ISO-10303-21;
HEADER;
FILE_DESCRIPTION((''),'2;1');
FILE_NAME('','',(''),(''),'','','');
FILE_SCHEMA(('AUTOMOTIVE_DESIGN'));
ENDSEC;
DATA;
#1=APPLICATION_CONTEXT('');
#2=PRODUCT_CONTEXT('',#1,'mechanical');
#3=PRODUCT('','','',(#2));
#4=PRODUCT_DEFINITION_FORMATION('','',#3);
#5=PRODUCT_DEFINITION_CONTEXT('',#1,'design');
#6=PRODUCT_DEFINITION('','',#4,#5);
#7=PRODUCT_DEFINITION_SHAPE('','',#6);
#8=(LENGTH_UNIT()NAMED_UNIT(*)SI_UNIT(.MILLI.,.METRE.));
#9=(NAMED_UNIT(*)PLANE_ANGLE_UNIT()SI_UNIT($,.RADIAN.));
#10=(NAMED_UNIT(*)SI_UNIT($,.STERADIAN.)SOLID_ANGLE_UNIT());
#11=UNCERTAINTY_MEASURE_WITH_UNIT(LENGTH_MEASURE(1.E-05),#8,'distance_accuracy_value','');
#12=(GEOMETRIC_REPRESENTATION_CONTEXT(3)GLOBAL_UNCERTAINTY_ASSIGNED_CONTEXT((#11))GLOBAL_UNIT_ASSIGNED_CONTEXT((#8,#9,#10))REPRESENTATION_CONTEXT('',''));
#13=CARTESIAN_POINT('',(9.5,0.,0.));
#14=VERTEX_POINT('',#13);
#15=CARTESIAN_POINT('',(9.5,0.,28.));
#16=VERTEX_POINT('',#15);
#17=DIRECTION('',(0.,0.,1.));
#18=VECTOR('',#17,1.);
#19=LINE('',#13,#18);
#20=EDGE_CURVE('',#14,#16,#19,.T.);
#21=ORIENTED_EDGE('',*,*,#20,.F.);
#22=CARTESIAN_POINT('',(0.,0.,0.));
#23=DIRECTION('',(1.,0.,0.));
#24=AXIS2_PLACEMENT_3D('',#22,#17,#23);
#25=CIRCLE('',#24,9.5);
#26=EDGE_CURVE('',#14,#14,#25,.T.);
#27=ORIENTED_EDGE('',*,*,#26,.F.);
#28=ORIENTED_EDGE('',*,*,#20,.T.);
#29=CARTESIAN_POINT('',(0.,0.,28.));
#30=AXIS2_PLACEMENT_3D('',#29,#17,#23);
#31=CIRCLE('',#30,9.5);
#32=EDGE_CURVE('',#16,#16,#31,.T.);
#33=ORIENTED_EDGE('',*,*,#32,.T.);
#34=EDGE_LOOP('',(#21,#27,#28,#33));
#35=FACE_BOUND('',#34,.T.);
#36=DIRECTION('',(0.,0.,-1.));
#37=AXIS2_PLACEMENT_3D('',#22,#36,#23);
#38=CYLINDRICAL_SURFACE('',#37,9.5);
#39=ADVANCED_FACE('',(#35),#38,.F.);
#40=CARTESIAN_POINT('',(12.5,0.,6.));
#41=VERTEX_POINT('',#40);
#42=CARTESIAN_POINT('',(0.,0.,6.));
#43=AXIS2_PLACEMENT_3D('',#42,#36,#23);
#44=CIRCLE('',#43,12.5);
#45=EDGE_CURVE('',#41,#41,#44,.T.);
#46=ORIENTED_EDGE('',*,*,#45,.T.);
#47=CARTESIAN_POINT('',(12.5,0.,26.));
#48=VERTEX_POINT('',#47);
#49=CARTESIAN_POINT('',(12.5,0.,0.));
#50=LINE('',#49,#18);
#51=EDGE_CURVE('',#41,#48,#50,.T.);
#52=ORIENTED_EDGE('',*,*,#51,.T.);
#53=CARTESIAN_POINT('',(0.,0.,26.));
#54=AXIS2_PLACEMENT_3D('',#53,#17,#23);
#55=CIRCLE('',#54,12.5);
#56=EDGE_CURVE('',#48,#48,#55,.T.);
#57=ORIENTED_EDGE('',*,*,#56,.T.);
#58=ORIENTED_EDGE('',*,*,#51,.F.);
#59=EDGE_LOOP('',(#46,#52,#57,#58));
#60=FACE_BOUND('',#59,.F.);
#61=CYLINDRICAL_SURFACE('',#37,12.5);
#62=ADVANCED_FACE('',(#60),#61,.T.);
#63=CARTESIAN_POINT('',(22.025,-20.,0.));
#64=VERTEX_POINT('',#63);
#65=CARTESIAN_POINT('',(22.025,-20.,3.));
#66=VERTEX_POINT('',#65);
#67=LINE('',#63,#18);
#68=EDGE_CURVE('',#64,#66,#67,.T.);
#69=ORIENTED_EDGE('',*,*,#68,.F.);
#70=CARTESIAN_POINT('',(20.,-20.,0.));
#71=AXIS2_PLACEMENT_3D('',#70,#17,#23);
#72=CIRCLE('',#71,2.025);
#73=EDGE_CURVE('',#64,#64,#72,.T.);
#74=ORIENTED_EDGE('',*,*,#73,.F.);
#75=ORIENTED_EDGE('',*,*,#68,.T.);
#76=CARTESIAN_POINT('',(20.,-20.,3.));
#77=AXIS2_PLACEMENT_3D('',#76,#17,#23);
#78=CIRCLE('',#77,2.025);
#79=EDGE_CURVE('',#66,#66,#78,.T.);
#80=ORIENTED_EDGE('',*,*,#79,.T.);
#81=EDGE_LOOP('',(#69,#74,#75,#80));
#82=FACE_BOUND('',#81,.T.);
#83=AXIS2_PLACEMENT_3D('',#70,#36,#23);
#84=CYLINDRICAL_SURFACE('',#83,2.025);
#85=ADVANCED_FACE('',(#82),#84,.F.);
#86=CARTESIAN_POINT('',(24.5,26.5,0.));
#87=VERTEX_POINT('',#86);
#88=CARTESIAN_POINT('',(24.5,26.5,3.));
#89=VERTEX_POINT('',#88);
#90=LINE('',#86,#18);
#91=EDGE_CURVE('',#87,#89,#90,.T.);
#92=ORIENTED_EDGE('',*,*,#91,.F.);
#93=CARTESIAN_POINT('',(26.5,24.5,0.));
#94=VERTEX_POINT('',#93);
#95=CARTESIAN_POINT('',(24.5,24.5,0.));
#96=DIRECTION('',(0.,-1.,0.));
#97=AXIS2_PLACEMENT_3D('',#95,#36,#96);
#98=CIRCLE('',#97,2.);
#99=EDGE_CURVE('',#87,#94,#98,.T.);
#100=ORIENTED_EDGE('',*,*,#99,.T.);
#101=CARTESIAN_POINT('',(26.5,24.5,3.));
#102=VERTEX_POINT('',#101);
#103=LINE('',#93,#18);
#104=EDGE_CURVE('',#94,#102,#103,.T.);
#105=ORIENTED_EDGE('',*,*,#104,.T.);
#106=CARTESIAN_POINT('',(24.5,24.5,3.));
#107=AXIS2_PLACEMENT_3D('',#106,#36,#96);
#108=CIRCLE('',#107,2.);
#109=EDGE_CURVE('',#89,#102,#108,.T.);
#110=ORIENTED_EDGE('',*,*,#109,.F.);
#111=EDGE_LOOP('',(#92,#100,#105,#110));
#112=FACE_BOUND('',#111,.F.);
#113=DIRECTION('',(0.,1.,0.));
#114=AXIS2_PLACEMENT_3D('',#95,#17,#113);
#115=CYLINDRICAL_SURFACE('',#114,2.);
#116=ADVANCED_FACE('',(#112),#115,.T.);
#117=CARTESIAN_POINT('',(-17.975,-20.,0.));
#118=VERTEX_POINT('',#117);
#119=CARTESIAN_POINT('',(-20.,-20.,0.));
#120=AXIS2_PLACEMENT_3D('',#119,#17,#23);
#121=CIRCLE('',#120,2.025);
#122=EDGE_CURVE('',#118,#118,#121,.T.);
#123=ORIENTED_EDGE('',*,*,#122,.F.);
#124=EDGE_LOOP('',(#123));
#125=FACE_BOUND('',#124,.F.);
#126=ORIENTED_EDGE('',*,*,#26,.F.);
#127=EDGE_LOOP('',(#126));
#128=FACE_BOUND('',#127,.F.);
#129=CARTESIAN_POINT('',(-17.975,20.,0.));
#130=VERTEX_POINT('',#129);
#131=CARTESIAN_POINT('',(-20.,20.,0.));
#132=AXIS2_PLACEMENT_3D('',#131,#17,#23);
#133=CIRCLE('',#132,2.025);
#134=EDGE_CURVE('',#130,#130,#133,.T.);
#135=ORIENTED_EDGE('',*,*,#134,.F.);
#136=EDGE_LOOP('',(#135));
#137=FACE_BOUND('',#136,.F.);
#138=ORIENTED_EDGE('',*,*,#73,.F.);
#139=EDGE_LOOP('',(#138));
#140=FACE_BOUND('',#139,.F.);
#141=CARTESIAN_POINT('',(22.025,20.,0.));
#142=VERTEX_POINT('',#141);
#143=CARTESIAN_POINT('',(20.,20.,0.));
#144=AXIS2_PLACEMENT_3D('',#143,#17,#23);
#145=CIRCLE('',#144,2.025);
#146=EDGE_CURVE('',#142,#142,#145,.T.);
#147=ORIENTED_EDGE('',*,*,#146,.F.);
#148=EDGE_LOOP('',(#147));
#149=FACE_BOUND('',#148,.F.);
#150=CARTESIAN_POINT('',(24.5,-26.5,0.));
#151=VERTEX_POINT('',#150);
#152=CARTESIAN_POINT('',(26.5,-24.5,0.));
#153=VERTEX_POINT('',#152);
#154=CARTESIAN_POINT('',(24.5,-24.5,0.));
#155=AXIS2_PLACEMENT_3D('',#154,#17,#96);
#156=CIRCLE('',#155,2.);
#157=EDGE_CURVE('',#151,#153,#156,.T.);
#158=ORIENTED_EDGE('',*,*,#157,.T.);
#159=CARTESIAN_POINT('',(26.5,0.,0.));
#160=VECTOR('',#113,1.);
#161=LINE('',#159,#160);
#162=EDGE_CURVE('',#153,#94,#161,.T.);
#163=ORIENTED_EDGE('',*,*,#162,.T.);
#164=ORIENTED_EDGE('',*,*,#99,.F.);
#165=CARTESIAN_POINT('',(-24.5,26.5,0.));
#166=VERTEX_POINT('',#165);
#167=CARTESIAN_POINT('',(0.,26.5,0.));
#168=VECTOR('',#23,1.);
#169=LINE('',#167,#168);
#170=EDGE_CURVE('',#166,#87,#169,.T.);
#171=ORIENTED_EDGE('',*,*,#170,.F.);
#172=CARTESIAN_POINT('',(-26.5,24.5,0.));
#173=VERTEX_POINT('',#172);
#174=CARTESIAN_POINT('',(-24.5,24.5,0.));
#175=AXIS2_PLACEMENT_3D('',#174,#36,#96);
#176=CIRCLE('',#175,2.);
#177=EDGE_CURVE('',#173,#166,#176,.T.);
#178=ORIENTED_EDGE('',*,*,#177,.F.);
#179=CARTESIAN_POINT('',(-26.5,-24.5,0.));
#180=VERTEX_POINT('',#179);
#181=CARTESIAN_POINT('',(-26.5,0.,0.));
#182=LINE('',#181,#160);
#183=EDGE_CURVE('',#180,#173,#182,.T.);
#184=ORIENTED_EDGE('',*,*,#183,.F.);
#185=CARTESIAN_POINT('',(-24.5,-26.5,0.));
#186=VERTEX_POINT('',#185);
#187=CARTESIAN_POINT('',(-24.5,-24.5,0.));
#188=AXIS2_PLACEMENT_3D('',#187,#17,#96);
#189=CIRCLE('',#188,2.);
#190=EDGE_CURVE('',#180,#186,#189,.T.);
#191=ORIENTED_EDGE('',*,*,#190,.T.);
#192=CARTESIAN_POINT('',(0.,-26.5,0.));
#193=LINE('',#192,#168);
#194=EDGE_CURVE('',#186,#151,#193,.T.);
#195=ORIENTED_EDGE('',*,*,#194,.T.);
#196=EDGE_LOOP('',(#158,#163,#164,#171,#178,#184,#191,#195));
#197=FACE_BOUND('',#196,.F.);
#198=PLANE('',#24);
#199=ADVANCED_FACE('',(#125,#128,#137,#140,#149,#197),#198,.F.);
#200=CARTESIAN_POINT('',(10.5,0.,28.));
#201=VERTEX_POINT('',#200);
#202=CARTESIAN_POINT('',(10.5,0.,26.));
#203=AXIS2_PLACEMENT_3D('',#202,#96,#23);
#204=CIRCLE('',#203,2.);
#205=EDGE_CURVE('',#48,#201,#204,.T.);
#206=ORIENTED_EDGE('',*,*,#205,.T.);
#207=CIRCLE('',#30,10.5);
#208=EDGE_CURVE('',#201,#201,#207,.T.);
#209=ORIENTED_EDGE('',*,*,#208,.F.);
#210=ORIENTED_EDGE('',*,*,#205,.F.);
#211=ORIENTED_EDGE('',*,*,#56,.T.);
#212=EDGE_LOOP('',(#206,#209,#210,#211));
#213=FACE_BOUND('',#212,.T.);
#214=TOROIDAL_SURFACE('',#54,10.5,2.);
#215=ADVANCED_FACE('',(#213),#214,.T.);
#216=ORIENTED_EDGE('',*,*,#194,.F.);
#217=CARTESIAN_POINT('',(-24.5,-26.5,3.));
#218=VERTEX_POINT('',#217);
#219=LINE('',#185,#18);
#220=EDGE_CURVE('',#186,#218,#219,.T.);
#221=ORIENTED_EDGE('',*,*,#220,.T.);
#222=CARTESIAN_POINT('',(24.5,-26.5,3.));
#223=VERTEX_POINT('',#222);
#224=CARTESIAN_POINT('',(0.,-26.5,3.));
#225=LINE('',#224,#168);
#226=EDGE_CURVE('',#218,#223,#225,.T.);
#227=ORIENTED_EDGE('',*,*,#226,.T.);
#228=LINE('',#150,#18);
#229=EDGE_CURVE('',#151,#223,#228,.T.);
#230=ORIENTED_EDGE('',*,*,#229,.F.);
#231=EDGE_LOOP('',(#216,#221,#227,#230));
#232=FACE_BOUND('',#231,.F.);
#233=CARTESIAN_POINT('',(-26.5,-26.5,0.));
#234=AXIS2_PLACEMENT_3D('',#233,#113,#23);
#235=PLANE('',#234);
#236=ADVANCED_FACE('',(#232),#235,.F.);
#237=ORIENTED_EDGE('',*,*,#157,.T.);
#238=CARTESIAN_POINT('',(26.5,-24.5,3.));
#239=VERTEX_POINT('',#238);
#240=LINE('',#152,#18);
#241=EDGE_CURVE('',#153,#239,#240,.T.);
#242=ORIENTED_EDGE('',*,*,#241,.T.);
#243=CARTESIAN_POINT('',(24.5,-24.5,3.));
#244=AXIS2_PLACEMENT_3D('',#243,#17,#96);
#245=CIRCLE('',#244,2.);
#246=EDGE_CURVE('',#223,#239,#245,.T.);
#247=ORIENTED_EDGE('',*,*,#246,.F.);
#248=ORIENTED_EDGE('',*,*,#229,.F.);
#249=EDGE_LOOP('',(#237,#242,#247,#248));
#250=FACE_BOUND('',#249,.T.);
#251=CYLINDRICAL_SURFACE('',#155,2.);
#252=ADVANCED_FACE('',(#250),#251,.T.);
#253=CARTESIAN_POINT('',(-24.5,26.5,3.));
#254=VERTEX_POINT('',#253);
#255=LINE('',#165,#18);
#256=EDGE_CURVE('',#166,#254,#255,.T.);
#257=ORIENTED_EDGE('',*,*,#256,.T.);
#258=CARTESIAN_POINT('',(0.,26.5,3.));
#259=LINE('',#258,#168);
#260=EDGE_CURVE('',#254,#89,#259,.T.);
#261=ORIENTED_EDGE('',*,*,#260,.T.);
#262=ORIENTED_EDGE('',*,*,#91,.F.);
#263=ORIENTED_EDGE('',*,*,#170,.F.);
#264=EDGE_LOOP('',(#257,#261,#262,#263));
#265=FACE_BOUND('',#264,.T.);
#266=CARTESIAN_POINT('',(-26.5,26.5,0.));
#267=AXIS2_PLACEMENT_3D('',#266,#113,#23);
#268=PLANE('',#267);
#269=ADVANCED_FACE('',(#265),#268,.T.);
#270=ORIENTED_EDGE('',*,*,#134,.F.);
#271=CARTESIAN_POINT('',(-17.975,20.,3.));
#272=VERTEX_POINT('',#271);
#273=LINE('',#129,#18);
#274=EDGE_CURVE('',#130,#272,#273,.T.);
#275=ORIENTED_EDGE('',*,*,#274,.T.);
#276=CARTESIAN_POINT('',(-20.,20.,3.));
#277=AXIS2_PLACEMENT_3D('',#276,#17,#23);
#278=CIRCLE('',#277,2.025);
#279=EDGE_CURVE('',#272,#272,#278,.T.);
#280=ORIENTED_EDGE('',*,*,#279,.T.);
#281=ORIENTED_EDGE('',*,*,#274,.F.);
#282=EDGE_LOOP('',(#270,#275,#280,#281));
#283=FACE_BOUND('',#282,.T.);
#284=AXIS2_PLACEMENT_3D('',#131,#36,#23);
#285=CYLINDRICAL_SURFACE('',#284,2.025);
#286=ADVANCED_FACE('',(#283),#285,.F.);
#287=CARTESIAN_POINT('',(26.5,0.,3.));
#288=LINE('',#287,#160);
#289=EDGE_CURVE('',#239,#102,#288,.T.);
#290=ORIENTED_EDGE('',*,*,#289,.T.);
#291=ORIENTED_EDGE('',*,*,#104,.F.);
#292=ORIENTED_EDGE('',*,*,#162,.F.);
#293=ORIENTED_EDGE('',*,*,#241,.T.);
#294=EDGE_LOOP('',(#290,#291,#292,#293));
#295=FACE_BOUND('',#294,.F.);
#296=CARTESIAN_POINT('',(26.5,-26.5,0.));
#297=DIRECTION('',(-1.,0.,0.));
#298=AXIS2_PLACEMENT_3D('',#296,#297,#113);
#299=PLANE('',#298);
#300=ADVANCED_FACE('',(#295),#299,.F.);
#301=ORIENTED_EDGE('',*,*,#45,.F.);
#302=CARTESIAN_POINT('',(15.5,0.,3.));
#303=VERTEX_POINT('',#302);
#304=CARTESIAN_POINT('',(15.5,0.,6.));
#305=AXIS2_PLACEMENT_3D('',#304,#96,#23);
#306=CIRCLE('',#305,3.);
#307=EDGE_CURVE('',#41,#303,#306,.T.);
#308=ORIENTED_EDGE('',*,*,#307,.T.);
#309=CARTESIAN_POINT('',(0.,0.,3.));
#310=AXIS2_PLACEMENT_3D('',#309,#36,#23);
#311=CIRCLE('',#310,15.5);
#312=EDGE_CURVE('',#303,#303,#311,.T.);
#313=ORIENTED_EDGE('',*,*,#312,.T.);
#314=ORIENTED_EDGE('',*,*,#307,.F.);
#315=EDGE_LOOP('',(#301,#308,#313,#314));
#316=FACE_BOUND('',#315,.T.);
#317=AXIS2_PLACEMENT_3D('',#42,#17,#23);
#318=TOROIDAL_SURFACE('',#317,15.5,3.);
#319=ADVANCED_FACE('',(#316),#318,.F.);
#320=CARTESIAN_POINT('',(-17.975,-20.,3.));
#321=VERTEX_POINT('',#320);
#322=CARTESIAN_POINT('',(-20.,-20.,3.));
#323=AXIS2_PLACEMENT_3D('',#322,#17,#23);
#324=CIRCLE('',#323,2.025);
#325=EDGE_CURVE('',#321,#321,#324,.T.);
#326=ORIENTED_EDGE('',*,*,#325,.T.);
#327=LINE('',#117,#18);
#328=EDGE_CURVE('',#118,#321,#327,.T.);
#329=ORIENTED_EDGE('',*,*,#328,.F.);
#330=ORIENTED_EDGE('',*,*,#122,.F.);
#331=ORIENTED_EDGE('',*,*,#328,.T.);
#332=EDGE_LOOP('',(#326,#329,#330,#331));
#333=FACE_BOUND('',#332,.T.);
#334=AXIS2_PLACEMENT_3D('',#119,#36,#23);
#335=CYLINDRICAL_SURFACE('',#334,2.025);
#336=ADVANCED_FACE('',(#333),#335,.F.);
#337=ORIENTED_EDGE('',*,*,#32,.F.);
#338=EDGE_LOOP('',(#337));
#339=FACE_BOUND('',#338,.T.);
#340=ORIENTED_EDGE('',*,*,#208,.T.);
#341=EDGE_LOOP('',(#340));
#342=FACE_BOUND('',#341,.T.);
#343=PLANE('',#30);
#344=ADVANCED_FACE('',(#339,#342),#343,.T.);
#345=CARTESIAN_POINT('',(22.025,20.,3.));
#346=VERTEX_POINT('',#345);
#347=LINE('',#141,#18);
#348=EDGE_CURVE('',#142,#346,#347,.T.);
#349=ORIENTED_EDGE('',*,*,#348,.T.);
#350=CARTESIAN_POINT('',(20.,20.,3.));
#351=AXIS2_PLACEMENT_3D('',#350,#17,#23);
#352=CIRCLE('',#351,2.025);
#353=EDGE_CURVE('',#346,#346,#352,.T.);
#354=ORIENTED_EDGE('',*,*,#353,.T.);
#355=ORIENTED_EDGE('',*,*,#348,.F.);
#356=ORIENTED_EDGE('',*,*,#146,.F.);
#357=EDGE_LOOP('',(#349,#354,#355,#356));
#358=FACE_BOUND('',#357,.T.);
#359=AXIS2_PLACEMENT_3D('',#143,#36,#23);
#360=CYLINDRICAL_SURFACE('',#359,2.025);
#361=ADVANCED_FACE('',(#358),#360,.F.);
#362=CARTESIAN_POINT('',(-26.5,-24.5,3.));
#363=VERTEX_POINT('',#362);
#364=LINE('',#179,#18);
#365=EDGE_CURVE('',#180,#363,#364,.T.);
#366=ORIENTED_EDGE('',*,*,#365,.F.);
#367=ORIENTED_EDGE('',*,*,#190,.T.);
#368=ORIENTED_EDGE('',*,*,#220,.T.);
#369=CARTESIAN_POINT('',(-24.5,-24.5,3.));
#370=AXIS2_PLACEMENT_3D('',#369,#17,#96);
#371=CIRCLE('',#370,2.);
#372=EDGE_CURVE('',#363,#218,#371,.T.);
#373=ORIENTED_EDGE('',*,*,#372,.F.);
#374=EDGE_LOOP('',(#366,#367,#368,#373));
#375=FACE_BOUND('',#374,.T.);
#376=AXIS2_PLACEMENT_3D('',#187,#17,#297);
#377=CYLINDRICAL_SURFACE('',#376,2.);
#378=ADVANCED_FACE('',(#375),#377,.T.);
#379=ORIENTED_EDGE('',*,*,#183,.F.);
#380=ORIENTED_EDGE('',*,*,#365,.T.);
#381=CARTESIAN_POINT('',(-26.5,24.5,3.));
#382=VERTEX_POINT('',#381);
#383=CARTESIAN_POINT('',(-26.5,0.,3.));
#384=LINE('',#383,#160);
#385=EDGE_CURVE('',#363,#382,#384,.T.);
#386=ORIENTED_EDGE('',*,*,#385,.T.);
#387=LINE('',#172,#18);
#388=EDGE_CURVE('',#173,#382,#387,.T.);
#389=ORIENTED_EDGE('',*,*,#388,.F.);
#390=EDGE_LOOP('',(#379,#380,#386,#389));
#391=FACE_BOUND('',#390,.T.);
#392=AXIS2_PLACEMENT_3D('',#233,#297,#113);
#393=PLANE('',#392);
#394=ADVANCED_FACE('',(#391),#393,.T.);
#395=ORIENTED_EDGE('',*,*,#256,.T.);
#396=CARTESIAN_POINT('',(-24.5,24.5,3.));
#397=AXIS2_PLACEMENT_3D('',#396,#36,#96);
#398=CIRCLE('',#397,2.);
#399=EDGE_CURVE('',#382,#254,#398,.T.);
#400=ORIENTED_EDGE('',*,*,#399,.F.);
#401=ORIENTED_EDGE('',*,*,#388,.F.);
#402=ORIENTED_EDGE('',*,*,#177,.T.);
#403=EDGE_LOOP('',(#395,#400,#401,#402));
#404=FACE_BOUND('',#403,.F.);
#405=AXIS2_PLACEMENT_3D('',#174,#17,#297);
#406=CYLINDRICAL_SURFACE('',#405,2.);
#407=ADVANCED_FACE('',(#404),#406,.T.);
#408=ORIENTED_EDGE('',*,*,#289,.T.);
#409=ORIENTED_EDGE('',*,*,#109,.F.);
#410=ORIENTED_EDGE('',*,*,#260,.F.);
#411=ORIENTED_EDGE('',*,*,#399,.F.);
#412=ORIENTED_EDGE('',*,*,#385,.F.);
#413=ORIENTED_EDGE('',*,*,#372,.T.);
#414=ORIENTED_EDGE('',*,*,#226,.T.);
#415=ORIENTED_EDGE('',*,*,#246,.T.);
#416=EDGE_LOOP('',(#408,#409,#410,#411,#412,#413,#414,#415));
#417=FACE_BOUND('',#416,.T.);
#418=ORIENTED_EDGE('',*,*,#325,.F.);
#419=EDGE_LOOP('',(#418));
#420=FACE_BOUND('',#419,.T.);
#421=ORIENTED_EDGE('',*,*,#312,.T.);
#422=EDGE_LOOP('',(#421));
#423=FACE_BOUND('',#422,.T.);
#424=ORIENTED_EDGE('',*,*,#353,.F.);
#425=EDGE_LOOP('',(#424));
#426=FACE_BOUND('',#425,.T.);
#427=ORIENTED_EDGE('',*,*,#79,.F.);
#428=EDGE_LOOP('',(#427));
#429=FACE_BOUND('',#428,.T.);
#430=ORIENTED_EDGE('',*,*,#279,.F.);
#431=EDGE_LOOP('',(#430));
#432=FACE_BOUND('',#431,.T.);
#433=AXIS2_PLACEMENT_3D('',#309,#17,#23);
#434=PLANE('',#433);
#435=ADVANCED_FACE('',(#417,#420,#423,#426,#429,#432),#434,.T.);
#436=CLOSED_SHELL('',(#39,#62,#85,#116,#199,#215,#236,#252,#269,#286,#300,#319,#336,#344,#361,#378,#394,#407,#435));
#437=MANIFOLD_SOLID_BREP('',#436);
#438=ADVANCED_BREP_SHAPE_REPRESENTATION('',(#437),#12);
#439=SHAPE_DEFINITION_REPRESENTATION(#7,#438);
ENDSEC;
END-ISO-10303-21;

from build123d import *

# Parameters (mm, degrees)
F0_W     = 53
F0_H     = 53
F0_R     = 2.025
F0_R_2   = 12.5
F0_R_3   = 9.5
F1_DEPTH = 3
F2_DEPTH = 28
F3_R     = 2
F4_R     = 3
F5_R     = 2


with BuildPart() as f1:
    # F0 (on Top) → F1 (new body)
    with BuildSketch(Plane.XY):
        Rectangle(F0_W, F0_H)
        with Locations((-20, -20)):
            Circle(F0_R, mode=Mode.SUBTRACT)
        with Locations((20, -20)):
            Circle(F0_R, mode=Mode.SUBTRACT)
        with Locations((-20, 20)):
            Circle(F0_R, mode=Mode.SUBTRACT)
        Circle(F0_R_2, mode=Mode.SUBTRACT)
        with Locations((20, 20)):
            Circle(F0_R, mode=Mode.SUBTRACT)
        Circle(F0_R_2)
        Circle(F0_R_3, mode=Mode.SUBTRACT)
    extrude(amount=F1_DEPTH)

    # F0 (on Top) → F2 (join)
    with BuildSketch(Plane.XY):
        Circle(F0_R_2)
        Circle(F0_R_3, mode=Mode.SUBTRACT)
    extrude(amount=F2_DEPTH)

    # F3
    f3_edges = [f1.edges().sort_by_distance(p)[0] for p in [
        (-12.5, 0, 28),
    ]]
    fillet(f3_edges, radius=F3_R)

    # F4
    f4_edges = [f1.edges().sort_by_distance(p)[0] for p in [
        (-12.5, 0, 3),
    ]]
    fillet(f4_edges, radius=F4_R)

    # F5
    f5_edges = [f1.edges().sort_by_distance(p)[0] for p in [
        (-26.5, -26.5, 1.5),
        (26.5, -26.5, 1.5),
        (26.5, 26.5, 1.5),
        (-26.5, 26.5, 1.5),
    ]]
    fillet(f5_edges, radius=F5_R)


solid = f1.part
